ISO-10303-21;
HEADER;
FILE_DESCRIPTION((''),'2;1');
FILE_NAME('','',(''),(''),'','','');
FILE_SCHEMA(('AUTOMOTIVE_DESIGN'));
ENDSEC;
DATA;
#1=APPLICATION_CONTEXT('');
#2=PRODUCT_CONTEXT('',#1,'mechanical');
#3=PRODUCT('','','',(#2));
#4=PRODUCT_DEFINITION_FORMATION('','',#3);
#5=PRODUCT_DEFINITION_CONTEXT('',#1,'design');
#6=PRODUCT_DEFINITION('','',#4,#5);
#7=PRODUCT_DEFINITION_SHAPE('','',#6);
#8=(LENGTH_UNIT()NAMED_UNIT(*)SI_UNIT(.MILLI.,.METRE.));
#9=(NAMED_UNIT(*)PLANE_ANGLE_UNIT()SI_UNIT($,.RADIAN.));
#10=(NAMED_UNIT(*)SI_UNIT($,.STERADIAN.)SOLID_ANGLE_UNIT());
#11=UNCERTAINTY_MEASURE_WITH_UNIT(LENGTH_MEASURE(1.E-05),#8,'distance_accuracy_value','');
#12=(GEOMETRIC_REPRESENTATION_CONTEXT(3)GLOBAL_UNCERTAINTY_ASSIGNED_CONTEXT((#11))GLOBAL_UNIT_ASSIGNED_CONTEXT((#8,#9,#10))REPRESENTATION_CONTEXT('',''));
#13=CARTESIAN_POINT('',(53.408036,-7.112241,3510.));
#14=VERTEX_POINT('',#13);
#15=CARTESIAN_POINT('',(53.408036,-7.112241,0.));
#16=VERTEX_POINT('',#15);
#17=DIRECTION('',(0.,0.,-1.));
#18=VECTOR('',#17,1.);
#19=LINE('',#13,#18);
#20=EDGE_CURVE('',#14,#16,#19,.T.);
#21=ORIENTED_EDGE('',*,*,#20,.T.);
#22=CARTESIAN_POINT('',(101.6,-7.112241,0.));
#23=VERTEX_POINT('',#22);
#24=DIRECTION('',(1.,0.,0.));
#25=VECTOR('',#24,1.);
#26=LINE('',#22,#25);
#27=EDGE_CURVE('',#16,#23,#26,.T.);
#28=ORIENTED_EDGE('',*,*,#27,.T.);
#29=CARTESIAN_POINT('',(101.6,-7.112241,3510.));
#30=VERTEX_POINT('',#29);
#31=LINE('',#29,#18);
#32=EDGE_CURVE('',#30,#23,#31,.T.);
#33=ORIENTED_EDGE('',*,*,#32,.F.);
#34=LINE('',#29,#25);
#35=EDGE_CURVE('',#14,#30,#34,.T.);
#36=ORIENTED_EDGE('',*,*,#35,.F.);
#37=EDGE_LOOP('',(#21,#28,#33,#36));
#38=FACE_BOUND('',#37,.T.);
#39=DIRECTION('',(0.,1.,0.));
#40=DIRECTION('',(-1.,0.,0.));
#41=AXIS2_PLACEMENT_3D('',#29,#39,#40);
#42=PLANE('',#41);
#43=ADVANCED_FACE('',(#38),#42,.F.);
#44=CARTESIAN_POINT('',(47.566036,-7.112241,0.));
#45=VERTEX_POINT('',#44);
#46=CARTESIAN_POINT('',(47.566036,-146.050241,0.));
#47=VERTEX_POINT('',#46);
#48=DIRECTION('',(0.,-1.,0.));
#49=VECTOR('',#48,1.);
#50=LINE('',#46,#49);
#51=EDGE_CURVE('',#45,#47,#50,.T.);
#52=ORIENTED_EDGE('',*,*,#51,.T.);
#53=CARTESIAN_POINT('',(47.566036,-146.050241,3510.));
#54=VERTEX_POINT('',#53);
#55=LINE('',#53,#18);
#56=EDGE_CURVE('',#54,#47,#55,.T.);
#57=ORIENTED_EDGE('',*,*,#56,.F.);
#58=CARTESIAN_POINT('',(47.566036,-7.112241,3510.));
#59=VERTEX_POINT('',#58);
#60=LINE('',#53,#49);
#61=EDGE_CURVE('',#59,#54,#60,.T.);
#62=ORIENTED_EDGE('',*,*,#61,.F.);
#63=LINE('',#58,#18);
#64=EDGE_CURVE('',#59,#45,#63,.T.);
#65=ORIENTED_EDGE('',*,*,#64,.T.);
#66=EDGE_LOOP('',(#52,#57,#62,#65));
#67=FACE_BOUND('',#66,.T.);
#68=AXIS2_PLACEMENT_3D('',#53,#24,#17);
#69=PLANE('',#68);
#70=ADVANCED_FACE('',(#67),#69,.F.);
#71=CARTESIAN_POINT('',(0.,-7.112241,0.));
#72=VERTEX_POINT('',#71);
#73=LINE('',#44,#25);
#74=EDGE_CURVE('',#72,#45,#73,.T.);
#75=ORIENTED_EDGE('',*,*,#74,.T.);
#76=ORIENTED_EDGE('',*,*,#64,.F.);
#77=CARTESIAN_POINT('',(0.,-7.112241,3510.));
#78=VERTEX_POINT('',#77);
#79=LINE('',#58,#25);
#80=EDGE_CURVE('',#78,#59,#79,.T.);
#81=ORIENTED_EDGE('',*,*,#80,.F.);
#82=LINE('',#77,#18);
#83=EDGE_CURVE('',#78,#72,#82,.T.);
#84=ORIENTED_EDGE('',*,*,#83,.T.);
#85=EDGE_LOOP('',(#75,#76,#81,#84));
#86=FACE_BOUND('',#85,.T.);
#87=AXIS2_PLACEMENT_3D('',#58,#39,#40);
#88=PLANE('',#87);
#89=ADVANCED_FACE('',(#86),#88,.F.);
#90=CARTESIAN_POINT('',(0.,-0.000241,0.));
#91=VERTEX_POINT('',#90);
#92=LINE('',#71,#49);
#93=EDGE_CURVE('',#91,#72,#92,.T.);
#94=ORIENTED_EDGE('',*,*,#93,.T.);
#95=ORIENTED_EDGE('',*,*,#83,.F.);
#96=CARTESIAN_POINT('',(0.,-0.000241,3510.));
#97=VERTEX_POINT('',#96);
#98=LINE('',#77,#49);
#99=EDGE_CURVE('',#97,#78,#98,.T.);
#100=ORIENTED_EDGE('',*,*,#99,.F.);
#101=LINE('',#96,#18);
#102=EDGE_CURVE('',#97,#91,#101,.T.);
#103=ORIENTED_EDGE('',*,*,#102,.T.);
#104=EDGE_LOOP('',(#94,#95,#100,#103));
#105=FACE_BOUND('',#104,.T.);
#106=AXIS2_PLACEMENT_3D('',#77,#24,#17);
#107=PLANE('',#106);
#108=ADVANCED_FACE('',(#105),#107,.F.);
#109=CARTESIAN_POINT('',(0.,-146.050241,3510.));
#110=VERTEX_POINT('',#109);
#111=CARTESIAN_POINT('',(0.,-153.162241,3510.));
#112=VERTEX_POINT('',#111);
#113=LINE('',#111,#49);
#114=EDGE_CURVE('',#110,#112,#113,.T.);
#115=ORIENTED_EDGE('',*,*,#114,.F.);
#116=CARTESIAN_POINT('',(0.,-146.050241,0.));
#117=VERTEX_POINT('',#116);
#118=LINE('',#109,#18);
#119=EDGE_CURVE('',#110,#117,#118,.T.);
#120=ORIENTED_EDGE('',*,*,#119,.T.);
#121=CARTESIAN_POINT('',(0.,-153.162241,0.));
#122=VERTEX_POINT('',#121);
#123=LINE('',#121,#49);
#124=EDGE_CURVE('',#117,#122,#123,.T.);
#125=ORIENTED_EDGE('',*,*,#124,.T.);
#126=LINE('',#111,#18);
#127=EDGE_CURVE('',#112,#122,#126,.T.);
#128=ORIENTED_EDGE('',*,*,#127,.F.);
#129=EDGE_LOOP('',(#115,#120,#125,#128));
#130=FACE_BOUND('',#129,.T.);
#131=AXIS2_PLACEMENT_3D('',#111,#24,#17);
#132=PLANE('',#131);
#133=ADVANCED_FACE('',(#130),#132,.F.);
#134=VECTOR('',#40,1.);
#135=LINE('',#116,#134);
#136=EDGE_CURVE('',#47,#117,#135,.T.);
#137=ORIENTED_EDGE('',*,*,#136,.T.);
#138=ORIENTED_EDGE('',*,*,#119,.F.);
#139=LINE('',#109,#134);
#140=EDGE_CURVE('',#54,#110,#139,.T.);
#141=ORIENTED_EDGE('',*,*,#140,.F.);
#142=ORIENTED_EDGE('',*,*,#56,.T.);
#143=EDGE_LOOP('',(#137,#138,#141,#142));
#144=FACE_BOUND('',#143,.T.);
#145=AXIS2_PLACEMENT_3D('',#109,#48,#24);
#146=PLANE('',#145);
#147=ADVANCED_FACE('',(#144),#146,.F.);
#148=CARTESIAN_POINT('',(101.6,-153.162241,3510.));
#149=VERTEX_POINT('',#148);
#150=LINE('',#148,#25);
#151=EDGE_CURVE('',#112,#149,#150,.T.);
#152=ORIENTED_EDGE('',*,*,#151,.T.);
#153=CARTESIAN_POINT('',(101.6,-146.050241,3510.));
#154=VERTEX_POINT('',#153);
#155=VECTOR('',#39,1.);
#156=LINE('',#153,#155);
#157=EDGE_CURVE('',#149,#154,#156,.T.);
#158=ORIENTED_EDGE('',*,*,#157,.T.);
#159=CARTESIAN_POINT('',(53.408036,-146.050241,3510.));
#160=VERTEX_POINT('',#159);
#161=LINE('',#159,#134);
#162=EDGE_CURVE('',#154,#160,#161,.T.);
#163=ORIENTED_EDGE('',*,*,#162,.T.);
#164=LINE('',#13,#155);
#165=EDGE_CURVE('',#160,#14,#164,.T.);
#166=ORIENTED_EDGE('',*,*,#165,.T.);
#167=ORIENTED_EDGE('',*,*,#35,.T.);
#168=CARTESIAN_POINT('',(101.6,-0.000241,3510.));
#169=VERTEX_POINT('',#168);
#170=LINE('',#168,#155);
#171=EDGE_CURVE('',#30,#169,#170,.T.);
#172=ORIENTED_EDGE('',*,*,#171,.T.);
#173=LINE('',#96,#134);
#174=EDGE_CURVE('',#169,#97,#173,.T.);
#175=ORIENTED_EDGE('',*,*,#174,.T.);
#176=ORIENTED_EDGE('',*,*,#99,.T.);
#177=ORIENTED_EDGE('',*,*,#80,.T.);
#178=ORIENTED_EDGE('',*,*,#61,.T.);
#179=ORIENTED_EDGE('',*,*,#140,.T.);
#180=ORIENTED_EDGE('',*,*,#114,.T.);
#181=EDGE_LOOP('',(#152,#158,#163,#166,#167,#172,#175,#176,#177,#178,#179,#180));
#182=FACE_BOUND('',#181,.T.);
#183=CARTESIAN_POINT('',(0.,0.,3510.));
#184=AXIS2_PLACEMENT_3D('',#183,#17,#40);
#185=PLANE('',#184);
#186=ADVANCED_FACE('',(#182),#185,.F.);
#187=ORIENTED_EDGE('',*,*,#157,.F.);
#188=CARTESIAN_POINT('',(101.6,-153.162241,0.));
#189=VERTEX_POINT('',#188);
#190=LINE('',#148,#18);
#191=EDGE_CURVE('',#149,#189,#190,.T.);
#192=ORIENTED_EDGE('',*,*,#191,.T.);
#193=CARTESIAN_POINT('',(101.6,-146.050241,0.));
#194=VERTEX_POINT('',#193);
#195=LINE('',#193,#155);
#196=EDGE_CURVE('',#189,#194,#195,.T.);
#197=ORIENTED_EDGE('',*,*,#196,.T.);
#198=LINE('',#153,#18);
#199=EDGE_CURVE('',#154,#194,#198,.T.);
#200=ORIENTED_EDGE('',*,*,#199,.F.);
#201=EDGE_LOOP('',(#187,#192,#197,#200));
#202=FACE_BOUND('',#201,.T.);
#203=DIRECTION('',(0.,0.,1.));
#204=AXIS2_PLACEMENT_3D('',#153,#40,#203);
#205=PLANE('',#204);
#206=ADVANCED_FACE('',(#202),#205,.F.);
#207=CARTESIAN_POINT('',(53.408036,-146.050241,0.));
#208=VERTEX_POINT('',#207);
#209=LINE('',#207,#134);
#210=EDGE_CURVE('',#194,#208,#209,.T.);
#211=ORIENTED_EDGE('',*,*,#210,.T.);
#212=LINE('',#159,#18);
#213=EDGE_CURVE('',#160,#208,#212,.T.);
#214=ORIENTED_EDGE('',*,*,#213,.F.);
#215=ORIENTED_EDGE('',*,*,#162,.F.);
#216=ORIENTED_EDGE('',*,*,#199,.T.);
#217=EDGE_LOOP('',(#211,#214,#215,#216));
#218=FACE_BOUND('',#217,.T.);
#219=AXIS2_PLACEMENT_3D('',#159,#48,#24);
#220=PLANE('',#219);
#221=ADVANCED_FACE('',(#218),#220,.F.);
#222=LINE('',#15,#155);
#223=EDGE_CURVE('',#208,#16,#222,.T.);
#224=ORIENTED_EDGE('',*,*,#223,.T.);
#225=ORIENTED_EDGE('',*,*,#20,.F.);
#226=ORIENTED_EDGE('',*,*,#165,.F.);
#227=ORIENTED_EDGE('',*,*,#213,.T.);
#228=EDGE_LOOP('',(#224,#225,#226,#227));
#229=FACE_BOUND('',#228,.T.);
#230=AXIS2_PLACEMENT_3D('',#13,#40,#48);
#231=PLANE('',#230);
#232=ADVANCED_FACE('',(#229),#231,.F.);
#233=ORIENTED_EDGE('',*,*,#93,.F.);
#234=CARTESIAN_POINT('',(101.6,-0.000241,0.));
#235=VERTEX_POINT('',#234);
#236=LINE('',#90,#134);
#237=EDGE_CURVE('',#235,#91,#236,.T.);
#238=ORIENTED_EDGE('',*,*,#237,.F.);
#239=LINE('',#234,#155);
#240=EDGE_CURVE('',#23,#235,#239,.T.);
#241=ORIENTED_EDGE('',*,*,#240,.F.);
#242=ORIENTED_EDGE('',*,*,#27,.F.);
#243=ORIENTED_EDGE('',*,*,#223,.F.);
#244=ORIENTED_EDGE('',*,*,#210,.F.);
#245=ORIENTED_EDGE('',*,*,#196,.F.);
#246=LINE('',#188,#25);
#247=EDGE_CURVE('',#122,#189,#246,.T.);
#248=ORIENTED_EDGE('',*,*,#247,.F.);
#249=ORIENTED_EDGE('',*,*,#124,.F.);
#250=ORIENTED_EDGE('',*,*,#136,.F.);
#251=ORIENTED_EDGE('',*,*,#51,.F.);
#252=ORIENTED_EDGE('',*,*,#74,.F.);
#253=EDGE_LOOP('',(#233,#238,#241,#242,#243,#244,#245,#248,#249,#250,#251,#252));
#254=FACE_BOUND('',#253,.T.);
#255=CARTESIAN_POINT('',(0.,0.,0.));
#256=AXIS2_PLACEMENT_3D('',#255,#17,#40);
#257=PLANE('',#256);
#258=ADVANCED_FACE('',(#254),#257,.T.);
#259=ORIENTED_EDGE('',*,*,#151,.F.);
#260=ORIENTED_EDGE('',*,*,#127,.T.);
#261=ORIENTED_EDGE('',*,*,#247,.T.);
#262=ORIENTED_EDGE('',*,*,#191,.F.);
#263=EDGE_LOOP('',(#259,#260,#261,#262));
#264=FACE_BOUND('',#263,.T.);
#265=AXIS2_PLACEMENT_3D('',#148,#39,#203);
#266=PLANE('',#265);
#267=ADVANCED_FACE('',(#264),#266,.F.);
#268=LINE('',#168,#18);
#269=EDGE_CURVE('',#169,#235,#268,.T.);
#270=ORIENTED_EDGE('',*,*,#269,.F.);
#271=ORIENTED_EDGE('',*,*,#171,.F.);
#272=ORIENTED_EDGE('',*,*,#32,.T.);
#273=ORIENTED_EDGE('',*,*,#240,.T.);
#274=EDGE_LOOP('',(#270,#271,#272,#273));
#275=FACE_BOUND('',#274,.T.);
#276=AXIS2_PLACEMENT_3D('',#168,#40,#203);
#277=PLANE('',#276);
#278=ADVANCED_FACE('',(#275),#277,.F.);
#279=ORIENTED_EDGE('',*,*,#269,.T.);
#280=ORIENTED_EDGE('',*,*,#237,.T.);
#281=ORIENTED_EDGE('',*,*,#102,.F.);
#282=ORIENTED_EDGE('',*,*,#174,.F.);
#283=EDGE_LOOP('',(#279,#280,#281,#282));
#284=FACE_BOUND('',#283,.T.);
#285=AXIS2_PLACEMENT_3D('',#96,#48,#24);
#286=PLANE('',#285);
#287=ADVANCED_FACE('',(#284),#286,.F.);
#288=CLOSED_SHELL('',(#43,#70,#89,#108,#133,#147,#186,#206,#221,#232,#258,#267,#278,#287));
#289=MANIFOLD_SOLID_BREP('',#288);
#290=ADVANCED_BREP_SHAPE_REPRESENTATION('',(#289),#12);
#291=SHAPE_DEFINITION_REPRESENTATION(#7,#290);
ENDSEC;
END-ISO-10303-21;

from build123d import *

# Parameters (mm, degrees)
BOSS_EXTRUDE1_DEPTH = 3510


with BuildPart() as part:
    # Sketch1 → Boss-Extrude1 (new body)
    with BuildSketch(Plane.XY):
        Polygon((0, -0.000240533), (101.6, -0.000240533), (101.6, -7.112240533), (53.408035714, -7.112240533), (53.408035714, -146.050240533), (101.6, -146.050240533), (101.6, -153.162240533), (0, -153.162240533), (0, -146.050240533), (47.566035714, -146.050240533), (47.566035714, -7.112240533), (0, -7.112240533), align=None)
    extrude(amount=BOSS_EXTRUDE1_DEPTH)


solid = part.part
